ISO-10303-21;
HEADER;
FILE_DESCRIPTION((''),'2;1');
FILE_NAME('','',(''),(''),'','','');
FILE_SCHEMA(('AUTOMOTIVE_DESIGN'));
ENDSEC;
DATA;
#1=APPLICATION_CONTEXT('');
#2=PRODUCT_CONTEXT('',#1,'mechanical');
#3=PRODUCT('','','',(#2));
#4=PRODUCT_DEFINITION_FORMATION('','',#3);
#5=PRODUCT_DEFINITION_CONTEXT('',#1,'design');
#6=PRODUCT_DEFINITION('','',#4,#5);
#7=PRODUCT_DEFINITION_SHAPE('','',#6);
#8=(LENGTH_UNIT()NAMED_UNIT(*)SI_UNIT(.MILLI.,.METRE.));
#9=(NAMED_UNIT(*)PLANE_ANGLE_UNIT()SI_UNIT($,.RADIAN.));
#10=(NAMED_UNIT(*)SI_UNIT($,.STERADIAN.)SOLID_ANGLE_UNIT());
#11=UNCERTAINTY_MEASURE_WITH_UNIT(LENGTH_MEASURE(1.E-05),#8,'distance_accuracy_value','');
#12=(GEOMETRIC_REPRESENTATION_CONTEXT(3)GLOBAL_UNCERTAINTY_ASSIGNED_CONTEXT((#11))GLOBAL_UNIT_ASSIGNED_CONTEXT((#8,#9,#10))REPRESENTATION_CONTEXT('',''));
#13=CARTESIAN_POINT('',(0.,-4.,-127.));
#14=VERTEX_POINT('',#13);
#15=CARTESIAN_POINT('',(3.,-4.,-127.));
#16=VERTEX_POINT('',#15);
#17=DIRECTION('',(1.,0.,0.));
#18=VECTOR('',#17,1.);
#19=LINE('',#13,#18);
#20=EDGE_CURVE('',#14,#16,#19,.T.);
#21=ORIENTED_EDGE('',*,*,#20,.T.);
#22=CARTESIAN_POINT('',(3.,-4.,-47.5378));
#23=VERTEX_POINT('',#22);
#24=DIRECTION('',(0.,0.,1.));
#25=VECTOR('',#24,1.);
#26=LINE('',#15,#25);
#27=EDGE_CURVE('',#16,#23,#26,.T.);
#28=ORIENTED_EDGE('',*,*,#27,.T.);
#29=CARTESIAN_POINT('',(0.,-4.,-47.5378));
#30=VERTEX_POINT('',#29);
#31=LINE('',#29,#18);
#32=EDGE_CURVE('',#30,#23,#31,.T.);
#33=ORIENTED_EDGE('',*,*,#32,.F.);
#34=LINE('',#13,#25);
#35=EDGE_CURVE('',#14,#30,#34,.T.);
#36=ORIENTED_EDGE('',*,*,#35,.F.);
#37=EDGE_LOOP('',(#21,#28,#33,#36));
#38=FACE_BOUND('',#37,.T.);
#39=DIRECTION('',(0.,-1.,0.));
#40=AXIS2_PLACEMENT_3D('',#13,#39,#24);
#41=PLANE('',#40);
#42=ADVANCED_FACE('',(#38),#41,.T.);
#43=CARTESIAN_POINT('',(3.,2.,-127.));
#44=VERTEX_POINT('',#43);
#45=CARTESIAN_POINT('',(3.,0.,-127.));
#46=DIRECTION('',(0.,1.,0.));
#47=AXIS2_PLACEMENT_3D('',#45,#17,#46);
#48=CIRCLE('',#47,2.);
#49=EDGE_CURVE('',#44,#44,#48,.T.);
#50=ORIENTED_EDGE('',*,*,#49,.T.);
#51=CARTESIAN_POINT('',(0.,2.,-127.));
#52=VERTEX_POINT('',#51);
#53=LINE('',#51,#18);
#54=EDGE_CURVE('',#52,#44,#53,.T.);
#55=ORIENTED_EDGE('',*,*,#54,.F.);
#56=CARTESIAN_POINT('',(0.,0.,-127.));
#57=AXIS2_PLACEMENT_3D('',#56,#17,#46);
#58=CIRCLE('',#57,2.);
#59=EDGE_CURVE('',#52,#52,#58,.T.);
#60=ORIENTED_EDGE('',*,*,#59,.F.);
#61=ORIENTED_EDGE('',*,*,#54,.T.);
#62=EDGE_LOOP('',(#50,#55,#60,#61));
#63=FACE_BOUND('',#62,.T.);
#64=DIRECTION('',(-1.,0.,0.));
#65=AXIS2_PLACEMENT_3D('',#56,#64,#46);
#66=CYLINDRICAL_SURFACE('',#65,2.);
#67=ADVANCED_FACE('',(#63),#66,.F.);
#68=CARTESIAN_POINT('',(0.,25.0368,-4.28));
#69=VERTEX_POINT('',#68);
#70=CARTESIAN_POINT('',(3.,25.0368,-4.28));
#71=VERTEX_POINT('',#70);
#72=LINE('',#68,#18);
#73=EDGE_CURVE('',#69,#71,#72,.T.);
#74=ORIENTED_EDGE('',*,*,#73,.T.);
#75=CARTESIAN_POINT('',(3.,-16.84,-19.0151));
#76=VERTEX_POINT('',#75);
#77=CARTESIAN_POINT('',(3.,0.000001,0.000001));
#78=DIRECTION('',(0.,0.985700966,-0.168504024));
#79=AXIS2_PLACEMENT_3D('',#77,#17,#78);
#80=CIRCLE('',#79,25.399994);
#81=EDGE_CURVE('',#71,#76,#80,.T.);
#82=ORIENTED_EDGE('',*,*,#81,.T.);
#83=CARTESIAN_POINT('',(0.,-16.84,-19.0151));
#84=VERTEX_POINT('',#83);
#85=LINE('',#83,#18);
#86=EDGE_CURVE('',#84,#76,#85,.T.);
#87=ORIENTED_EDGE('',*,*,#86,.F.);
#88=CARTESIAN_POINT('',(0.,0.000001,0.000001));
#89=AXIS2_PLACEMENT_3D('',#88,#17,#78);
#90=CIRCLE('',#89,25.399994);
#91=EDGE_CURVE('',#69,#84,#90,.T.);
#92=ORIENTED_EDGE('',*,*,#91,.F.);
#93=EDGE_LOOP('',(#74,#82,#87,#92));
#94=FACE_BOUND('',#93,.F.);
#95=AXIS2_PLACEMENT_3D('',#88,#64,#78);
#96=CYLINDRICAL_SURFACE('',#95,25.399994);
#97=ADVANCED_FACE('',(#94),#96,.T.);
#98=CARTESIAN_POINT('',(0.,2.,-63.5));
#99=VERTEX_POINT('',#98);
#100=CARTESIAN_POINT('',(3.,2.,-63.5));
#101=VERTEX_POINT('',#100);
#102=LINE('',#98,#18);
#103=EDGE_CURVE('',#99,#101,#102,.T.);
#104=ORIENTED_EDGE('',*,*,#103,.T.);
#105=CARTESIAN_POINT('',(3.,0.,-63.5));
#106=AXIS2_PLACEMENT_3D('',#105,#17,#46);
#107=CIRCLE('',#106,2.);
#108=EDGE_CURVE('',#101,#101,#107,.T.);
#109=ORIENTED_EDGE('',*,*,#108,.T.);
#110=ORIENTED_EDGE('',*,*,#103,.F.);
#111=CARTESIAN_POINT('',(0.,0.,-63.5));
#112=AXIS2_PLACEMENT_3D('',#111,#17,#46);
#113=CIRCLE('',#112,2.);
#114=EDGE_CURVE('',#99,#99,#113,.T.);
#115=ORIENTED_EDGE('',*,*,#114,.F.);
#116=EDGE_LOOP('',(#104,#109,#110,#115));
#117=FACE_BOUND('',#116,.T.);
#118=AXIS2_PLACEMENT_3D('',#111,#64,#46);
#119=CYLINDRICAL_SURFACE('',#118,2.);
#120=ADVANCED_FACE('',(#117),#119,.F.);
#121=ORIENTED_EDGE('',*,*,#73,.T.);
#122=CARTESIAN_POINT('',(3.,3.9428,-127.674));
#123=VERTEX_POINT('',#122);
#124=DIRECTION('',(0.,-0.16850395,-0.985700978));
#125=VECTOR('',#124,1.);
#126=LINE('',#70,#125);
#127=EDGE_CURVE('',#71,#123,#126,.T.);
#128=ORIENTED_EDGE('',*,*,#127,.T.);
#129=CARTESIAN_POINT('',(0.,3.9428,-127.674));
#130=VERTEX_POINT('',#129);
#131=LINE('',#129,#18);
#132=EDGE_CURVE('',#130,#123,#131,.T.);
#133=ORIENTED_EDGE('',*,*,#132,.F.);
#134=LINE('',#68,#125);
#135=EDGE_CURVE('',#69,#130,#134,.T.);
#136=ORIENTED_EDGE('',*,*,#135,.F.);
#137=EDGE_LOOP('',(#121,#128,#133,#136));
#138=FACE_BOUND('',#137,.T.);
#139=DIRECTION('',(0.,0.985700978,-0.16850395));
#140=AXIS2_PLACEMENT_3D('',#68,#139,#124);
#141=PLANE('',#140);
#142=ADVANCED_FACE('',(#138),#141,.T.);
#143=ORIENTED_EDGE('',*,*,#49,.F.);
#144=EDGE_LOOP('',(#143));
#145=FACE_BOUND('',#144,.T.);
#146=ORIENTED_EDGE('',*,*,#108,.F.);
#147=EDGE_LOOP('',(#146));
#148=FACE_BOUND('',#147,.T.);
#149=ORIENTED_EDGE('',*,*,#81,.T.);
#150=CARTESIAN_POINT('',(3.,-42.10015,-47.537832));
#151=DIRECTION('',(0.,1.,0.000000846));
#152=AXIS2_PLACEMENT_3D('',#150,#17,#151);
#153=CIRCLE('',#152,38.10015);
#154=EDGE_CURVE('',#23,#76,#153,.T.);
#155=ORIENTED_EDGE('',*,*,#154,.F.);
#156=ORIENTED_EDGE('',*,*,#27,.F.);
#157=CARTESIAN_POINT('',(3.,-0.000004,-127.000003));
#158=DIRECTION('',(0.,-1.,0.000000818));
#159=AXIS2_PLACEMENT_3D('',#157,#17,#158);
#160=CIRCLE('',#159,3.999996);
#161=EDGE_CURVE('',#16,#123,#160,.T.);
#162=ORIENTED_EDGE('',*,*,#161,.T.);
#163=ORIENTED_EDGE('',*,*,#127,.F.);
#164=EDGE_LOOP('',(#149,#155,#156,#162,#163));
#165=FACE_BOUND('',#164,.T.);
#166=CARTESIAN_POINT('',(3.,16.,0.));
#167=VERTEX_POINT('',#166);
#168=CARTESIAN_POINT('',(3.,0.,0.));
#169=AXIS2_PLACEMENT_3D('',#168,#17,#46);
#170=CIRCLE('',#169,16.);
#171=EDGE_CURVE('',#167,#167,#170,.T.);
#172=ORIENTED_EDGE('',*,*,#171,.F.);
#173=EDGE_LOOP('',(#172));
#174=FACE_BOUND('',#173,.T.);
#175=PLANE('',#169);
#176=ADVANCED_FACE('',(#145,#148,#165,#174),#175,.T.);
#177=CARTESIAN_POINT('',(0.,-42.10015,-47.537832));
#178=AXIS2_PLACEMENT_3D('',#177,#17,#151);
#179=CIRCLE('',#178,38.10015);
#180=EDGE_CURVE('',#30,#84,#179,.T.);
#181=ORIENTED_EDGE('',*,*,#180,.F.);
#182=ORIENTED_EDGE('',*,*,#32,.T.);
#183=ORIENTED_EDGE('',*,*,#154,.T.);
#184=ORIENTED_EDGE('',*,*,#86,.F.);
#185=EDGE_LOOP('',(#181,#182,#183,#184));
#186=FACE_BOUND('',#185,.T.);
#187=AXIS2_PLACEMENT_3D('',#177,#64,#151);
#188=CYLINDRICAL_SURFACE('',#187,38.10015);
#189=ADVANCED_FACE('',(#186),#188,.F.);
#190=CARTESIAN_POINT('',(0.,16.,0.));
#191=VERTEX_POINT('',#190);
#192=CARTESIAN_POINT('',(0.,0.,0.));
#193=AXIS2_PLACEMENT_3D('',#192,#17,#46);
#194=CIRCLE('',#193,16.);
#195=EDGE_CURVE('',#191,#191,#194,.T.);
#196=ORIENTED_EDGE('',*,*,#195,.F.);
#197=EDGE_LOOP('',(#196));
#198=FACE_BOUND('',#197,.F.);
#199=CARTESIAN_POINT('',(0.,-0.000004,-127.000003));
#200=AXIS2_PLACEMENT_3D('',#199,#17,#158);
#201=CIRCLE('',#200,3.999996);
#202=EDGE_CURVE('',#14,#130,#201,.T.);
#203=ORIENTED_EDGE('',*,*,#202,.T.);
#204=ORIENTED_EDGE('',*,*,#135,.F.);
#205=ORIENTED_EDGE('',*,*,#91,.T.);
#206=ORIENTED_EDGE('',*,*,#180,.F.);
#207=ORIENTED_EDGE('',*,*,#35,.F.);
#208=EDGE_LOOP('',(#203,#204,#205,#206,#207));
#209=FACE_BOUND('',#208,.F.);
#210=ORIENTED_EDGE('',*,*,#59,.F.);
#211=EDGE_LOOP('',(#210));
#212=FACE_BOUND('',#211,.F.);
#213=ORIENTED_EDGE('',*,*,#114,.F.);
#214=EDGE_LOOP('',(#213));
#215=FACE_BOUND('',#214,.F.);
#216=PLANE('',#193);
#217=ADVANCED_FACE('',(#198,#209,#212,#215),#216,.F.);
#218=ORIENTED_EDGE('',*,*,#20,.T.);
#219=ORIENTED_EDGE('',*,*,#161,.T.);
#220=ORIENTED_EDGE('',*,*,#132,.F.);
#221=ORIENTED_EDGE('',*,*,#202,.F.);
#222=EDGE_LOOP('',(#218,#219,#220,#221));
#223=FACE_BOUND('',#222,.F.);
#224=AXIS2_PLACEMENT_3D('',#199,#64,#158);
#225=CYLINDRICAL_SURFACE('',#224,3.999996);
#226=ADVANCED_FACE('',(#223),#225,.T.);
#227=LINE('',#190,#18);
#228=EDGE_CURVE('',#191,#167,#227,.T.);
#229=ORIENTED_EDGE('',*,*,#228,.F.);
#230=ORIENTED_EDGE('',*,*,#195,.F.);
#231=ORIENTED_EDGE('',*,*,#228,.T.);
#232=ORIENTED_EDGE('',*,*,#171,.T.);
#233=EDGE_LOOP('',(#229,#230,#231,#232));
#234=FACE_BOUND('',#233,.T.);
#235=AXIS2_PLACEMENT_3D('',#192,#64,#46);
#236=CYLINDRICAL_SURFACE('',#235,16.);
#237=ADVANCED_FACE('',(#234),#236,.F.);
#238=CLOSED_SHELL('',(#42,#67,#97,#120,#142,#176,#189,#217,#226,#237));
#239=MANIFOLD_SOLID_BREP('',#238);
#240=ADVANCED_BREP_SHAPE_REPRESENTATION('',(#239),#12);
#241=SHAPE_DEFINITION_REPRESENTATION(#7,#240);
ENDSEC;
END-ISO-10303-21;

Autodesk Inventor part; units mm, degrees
ref_plane "YZ Plane" through (0, 0, 0) normal (1, 0, 0) x (0, 1, 0)
ref_plane "XZ Plane" through (0, 0, 0) normal (0, 1, 0) x (-1, 0, 0)
ref_plane "XY Plane" through (0, 0, 0) normal (0, 0, 1) x (1, 0, 0)
sketch "Sketch1" plane through (0, 0, 0) normal (1, 0, 0) x (0, 1, 0)
  line L0 (25.0368, -4.28) -> (3.9428, -127.674)
  arc A0 (-4, -127) -> (3.9428, -127.674) centre (0, -127) ccw
  arc A1 (25.0368, -4.28) -> (-16.84, -19.0151) centre (0, 0) ccw
  line L1 (0, 0) -> (0, -127) construction
  circle A2 centre (0, 0) radius 16
  circle A3 centre (0, -127) radius 2
  circle A4 centre (0, -63.5) radius 2
  line L2 (-4, -127) -> (-4, -47.5378)
  arc A5 (-4, -47.5378) -> (-16.84, -19.0151) centre (-42.1, -47.5378) ccw
  dimension "d0" = 32
  dimension "d1" = 127
  dimension "d2" = 4
  dimension "d3" = 25.4
  dimension "d4" = 4
  dimension "d7" = 63.5
  dimension "d14" = 38.1
extrude "Extrusion1" add sketch "Sketch1" along normal blind 3
properties part number "linkPanel" material "CFRP"
